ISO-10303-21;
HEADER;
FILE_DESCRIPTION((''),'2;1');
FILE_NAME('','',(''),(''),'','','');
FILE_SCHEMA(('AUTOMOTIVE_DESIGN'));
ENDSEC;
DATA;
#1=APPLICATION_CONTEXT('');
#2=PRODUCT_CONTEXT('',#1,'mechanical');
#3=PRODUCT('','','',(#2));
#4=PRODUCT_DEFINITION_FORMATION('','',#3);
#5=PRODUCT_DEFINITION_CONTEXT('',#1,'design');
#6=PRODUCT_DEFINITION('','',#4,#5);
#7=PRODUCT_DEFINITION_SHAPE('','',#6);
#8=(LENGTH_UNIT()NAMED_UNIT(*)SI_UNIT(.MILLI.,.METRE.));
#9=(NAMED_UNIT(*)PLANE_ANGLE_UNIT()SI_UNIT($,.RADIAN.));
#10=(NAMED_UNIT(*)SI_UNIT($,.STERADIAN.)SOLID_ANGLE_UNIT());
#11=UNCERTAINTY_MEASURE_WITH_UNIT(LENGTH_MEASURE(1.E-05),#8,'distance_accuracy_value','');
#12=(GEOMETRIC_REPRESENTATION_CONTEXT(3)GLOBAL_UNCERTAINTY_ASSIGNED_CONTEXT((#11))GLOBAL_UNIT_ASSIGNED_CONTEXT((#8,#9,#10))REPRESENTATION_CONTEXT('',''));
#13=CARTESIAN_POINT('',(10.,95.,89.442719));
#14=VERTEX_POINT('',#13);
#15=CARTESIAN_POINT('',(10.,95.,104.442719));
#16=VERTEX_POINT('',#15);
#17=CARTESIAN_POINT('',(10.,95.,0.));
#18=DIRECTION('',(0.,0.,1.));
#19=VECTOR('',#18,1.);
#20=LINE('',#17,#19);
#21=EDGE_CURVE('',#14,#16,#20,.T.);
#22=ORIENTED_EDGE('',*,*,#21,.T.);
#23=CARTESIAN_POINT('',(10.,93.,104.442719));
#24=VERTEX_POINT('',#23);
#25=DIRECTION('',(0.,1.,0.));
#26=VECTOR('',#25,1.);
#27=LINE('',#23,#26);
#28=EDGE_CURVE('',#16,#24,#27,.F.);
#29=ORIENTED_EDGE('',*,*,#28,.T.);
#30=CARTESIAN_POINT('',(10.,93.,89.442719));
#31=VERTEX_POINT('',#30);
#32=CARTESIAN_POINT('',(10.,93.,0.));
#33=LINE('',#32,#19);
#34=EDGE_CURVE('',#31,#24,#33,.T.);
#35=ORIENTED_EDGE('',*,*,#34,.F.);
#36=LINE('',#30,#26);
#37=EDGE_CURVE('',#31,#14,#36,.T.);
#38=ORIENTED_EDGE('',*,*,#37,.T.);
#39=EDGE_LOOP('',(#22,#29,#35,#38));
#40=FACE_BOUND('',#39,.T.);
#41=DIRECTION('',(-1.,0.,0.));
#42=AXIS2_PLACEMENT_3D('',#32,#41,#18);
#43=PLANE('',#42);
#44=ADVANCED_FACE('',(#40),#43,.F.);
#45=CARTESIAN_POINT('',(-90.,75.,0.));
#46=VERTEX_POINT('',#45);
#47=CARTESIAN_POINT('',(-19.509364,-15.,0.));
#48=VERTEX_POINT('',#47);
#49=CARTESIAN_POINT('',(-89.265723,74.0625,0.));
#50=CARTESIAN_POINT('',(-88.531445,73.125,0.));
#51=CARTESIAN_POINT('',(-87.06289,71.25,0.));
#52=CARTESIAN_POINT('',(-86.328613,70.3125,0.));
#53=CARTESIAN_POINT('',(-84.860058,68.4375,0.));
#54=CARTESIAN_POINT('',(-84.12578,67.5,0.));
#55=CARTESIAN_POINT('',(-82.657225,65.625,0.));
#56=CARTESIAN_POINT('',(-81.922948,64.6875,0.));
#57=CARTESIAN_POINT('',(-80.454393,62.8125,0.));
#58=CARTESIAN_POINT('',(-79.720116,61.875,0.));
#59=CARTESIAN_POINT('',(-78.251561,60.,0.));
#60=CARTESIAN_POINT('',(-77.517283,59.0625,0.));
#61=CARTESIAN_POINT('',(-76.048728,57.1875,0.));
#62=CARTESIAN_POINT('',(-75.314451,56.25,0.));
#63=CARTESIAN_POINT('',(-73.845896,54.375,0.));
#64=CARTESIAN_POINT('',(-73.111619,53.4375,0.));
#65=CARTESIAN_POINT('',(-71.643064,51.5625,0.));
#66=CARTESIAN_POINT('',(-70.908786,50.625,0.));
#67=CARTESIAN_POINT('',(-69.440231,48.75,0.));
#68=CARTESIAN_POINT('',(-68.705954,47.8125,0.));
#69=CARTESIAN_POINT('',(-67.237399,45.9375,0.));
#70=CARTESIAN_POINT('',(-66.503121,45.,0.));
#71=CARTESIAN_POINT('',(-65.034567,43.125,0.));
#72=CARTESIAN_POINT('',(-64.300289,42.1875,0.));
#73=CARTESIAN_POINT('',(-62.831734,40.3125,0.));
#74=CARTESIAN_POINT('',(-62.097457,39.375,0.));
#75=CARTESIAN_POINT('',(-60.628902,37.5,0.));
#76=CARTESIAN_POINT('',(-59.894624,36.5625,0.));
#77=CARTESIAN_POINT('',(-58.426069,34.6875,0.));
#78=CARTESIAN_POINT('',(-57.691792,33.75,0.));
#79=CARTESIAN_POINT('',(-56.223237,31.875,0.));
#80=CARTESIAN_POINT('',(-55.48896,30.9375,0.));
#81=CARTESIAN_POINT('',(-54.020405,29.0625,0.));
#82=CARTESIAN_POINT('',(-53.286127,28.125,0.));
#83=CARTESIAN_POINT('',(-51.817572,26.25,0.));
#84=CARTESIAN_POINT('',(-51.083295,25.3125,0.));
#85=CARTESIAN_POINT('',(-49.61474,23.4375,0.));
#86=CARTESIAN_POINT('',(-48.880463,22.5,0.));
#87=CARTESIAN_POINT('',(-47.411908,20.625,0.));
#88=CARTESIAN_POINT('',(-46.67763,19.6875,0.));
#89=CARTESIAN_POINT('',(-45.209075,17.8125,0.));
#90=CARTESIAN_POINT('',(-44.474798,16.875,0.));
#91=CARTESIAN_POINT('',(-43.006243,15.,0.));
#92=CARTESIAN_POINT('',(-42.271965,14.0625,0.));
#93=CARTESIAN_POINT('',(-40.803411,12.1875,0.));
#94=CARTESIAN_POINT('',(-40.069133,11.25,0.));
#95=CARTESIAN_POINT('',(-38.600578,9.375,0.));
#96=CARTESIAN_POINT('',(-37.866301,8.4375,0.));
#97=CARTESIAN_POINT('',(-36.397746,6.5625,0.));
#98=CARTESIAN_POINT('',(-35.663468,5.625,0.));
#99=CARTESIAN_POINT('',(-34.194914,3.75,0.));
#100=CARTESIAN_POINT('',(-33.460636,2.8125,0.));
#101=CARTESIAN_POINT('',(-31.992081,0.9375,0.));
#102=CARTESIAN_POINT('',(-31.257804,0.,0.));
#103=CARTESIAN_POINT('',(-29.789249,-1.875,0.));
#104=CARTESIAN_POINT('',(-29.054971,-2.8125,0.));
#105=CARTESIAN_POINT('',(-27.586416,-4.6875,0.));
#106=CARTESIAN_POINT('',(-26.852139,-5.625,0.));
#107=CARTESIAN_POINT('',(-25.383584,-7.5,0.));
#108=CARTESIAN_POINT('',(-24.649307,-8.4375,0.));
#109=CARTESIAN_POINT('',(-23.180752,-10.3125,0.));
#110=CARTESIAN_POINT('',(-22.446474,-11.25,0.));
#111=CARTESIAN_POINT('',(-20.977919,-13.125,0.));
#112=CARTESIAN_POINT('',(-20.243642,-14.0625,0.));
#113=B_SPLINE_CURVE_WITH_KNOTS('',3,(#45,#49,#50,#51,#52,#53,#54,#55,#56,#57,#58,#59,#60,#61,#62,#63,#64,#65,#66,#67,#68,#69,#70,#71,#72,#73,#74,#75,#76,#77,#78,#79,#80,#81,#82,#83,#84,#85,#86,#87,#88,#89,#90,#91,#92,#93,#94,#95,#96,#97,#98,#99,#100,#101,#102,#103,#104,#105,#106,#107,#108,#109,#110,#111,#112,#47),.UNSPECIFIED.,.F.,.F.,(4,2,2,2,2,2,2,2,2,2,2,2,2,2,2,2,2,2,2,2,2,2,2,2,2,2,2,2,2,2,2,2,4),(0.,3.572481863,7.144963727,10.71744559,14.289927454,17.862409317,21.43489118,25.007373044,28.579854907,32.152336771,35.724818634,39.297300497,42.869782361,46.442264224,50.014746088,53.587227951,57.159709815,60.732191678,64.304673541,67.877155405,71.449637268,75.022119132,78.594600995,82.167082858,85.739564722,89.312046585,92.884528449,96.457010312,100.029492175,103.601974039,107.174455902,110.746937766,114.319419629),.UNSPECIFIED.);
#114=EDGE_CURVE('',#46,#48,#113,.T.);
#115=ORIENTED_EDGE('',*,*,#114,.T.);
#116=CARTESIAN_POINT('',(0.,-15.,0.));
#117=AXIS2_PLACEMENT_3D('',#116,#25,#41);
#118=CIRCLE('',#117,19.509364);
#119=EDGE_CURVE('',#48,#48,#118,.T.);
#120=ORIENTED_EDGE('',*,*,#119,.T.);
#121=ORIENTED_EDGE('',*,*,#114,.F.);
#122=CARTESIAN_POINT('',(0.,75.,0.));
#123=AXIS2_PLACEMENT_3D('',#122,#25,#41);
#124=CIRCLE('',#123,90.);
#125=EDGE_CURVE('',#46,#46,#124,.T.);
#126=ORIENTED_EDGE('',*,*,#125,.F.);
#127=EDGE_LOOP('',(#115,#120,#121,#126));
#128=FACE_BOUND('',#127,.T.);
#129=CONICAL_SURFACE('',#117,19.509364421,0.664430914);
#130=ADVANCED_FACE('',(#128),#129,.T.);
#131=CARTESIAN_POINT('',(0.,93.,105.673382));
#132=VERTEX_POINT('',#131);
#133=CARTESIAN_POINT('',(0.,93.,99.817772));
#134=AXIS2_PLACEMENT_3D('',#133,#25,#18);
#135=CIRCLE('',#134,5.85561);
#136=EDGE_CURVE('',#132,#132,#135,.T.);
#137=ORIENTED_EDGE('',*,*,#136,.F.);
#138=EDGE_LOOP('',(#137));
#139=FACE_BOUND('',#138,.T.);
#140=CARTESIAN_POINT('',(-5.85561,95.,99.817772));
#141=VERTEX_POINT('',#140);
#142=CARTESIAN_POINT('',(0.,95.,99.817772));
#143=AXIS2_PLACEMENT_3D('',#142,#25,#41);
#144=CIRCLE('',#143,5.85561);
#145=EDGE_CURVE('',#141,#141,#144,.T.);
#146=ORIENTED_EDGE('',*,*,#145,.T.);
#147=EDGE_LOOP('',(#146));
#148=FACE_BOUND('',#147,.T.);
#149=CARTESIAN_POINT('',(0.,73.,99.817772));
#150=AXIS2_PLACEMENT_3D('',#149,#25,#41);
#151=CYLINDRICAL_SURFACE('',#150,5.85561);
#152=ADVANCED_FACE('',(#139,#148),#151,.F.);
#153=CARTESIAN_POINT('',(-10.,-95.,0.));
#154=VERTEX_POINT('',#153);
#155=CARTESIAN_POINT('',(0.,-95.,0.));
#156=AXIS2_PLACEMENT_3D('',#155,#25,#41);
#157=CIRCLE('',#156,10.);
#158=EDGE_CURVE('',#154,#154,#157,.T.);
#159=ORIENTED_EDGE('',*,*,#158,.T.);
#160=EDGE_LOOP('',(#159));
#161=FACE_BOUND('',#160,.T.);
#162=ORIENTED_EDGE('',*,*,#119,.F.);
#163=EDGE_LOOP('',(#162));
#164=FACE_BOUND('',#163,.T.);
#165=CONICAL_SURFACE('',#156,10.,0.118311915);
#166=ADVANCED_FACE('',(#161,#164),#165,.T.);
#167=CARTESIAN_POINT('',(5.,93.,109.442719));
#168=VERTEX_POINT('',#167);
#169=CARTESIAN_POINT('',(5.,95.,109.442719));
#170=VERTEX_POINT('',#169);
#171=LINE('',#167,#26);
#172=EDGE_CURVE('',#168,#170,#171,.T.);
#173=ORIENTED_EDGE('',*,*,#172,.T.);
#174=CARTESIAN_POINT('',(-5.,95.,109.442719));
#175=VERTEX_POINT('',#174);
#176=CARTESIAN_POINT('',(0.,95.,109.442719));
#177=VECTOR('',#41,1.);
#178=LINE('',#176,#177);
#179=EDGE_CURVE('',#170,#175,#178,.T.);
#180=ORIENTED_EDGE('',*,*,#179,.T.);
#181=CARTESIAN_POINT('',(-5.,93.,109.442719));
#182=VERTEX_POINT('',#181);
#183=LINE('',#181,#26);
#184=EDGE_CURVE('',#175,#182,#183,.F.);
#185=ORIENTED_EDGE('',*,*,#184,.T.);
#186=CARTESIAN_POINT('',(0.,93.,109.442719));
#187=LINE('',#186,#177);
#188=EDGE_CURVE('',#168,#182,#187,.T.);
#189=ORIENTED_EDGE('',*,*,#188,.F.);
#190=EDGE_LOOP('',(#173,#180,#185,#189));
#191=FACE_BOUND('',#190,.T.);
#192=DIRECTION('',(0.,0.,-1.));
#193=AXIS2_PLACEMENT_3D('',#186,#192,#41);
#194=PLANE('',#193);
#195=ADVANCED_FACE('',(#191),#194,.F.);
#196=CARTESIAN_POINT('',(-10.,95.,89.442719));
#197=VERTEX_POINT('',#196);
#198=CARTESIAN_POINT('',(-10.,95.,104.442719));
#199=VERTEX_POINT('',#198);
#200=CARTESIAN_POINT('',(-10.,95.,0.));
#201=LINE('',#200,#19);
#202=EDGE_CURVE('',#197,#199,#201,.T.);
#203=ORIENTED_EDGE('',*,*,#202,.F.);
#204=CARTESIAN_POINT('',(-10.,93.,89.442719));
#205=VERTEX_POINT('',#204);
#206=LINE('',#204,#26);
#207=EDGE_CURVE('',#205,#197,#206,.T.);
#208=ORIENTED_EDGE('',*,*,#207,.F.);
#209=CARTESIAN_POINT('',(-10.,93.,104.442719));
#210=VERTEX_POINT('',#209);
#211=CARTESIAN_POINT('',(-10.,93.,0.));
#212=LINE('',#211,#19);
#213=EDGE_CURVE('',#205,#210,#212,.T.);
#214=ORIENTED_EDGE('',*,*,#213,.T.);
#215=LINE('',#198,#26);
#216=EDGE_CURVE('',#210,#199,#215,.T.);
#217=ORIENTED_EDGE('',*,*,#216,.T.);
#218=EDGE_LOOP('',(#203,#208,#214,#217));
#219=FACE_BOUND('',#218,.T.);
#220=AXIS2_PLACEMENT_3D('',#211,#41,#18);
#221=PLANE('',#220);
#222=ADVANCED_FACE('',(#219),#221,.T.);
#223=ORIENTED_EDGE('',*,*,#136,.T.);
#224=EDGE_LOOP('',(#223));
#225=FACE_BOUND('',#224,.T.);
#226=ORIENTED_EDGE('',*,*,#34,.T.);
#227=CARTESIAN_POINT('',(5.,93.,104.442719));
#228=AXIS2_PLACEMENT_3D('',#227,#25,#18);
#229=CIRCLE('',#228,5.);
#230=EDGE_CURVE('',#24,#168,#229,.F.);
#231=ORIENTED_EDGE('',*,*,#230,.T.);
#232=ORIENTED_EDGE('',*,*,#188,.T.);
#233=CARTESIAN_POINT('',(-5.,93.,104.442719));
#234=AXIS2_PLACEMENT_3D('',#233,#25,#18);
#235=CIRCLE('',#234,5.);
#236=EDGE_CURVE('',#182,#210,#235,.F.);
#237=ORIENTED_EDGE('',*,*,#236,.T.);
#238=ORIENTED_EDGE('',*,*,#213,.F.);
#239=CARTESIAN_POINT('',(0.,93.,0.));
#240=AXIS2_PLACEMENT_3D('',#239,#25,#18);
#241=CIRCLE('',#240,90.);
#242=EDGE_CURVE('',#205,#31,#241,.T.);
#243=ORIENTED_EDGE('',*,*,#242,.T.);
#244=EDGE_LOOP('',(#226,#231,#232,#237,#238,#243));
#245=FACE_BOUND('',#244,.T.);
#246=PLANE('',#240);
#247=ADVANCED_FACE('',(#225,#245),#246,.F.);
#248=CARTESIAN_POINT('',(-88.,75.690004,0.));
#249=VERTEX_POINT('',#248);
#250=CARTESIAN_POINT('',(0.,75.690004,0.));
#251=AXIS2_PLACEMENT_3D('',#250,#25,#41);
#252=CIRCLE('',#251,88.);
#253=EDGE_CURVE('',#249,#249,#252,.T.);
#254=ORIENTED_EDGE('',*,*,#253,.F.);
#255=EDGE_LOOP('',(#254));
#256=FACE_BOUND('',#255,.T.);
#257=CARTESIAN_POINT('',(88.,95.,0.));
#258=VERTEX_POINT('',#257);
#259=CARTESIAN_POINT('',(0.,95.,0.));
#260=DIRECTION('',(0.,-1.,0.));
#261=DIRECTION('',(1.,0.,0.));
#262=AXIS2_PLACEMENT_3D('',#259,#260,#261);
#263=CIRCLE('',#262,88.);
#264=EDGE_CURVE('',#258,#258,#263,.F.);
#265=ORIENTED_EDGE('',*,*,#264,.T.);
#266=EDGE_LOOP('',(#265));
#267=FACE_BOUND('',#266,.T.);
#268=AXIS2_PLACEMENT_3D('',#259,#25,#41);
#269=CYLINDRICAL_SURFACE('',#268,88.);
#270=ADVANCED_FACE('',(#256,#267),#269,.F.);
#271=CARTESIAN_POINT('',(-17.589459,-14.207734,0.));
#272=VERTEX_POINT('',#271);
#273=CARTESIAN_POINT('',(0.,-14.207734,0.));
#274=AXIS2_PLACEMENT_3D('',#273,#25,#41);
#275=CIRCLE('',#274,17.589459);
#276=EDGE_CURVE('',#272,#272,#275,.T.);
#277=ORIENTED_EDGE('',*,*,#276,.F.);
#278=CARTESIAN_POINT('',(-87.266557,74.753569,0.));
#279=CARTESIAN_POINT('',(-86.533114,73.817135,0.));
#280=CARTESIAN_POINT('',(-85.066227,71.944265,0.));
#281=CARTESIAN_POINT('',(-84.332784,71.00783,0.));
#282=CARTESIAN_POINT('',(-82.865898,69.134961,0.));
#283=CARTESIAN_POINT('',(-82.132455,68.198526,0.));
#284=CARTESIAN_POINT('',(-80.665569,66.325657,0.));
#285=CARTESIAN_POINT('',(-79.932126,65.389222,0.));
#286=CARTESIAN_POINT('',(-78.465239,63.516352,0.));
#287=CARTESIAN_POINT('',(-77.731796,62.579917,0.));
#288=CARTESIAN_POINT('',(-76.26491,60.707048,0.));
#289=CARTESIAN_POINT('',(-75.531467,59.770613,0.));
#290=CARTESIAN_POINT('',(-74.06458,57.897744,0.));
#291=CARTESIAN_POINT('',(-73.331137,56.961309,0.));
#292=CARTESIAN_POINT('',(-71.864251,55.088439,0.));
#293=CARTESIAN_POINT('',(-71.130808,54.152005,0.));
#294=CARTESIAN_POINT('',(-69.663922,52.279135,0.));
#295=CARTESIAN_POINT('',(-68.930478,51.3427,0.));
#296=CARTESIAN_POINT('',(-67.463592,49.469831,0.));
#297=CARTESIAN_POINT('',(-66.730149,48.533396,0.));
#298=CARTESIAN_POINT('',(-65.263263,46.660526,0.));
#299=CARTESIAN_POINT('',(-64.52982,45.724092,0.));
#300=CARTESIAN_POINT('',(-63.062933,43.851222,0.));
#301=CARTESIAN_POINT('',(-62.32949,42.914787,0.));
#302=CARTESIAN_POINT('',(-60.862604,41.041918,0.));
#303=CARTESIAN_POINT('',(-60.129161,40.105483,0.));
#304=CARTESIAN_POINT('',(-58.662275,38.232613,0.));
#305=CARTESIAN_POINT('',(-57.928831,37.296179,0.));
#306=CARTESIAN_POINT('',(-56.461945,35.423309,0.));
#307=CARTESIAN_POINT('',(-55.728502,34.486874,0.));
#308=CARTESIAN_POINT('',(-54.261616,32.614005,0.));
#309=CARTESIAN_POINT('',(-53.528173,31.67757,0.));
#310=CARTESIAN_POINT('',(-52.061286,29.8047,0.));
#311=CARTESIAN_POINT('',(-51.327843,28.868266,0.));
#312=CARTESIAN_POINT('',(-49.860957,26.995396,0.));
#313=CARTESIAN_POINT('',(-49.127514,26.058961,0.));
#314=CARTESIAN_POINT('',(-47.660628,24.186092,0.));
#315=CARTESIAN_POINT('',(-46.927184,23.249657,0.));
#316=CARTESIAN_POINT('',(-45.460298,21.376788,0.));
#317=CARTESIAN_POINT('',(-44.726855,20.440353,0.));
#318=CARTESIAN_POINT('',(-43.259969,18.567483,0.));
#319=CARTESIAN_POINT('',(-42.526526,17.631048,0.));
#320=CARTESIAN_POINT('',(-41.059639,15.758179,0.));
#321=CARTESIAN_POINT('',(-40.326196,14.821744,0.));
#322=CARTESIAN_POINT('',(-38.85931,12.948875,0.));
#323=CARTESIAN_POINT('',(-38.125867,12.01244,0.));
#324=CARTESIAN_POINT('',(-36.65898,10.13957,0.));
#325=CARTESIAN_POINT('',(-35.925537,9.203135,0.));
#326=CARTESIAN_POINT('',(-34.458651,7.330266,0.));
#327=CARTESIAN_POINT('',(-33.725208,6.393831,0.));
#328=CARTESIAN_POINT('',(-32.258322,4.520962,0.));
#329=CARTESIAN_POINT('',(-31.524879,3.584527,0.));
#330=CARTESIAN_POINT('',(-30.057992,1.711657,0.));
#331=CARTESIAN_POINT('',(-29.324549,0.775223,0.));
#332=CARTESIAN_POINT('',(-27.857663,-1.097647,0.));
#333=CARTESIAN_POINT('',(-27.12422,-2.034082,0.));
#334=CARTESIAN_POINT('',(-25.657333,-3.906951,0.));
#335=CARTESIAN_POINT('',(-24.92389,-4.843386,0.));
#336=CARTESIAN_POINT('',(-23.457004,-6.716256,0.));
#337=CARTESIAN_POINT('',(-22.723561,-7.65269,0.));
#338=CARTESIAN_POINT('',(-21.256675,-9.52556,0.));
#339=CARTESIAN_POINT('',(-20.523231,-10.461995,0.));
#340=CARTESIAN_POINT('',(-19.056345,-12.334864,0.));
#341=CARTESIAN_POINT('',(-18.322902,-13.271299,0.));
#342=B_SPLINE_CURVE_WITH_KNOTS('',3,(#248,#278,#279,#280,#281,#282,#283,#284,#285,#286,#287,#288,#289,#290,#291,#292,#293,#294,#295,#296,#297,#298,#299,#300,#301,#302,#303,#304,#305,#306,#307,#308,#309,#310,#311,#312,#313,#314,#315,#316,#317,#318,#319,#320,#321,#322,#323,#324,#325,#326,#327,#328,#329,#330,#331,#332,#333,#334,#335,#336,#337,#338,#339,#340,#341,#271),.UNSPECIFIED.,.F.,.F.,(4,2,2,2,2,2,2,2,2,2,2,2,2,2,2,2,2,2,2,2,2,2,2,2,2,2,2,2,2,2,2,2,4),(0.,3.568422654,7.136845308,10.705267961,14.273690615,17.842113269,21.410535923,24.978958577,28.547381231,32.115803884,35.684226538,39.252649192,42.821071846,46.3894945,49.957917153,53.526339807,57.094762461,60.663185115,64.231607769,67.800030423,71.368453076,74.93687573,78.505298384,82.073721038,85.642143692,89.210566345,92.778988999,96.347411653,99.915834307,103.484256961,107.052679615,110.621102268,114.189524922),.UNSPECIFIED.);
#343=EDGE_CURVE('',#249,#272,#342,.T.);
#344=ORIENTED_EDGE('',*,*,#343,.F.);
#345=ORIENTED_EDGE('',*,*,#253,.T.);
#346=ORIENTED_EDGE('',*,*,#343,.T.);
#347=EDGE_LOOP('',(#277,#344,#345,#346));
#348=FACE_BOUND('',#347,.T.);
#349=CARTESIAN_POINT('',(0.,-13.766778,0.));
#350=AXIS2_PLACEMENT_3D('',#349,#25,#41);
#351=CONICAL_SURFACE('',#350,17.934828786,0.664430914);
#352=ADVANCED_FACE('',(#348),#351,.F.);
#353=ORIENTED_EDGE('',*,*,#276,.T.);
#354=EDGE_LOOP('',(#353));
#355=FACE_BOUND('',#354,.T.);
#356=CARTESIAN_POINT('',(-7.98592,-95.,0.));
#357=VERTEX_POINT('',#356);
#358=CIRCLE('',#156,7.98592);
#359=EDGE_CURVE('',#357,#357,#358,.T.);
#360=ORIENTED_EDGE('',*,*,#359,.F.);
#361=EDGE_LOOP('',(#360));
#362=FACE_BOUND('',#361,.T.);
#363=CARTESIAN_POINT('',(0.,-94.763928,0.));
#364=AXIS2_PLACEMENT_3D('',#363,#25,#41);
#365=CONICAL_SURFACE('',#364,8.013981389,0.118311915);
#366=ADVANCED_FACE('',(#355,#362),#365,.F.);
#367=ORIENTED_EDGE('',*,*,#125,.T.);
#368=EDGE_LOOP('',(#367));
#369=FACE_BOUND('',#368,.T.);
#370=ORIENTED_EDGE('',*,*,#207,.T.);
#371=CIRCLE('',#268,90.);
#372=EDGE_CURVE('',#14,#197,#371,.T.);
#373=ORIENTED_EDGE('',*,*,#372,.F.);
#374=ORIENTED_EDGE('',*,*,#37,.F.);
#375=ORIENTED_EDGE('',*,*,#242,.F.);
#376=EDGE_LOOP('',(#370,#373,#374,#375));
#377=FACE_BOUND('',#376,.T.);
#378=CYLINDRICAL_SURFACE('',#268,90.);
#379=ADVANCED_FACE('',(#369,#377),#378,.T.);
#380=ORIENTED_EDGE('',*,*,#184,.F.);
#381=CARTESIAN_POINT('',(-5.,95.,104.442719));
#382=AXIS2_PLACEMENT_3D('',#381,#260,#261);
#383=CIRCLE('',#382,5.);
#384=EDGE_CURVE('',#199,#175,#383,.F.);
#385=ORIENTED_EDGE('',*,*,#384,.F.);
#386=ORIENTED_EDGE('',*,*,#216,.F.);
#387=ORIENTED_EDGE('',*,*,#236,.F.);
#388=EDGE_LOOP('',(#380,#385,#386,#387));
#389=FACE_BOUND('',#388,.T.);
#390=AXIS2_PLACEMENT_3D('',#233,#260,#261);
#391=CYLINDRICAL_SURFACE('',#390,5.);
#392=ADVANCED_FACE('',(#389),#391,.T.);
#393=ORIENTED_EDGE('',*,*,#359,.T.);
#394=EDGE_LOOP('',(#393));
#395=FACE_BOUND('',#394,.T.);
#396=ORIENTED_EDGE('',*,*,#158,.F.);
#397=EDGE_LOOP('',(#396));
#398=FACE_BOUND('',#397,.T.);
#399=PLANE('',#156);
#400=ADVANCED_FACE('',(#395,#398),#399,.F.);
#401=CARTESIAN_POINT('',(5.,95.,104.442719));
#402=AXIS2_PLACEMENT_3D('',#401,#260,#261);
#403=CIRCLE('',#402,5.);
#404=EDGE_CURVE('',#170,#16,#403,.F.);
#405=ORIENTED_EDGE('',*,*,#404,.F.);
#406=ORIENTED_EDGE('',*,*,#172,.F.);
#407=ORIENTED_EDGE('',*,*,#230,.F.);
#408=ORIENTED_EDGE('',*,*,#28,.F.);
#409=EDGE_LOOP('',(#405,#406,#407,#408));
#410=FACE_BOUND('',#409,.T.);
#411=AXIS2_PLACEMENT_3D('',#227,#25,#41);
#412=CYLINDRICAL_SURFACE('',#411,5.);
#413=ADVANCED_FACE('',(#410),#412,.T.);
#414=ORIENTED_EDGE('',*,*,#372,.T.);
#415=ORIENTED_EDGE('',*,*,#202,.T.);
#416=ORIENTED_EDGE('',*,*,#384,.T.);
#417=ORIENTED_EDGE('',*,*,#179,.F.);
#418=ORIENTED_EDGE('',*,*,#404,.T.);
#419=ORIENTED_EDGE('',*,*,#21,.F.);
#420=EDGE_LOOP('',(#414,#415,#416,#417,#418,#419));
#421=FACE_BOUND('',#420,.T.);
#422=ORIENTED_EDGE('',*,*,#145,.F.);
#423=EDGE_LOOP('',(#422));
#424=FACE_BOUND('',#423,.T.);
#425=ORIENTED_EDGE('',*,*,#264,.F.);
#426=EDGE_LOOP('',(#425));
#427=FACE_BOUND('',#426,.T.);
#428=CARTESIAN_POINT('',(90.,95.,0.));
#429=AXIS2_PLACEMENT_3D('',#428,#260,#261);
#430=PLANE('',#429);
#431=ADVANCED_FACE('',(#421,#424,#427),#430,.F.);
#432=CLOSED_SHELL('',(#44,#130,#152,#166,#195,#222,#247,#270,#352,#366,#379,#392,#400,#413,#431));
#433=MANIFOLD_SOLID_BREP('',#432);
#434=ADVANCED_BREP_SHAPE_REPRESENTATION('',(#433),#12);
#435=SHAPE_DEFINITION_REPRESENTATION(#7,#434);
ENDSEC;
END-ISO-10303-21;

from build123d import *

# Parameters (mm, degrees)
VACIADO1_T              = -2
SALIENTE_EXTRUIR1_DEPTH = 2
CROQUIS3_R              = 5.855610057
CORTAR_EXTRUIR1_DEPTH   = 22
REDONDEO1_R             = 5


with BuildPart() as part:
    # Croquis1 → Revolución1 (revolve)
    with BuildSketch(Plane.XY, mode=Mode.PRIVATE) as revoluci_n1_sk:
        Polygon((0, 95), (0, -95), (10, -95), (19.509364421, -15), (90, 75), (90, 95), align=None)
    revolve(revoluci_n1_sk.sketch.rotate(Axis((0, 95, 0), (0, -1, 0)), 180), axis=Axis((0, 95, 0), (0, -1, 0)))

    # Vaciado1
    vaciado1_openings = [part.faces().sort_by_distance(p)[0] for p in [
        (0, -95, 0),
        (0, 95, 0),
    ]]
    offset(amount=VACIADO1_T, openings=vaciado1_openings, kind=Kind.INTERSECTION)

    # Croquis2 → Saliente-Extruir1 (add)
    with BuildSketch(Plane(origin=(0, 95, 0), x_dir=(1, 0, 0), z_dir=(0, 1, 0))):
        with BuildLine():
            Line((0, -109.4427191), (0, -90))
            ThreePointArc((0, -90), (-5.007758031, -89.860571774), (-10, -89.4427191))
            Line((-10, -89.4427191), (-10, -109.4427191))
            Line((-10, -109.4427191), (0, -109.4427191))
        make_face()
        with BuildLine():
            ThreePointArc((10, -89.4427191), (5.007758031, -89.860571774), (0, -90))
            Line((0, -90), (0, -109.4427191))
            Line((0, -109.4427191), (10, -109.4427191))
            Line((10, -109.4427191), (10, -89.4427191))
        make_face()
    extrude(amount=-SALIENTE_EXTRUIR1_DEPTH)

    # Croquis3 → Cortar-Extruir1 (cut)
    with BuildSketch(Plane(origin=(0, 95, 0), x_dir=(1, 0, 0), z_dir=(0, 1, 0))):
        with Locations(Location((0, -99.817771653, 0), (0, 0, 180))):
            Circle(CROQUIS3_R)
    extrude(amount=-CORTAR_EXTRUIR1_DEPTH, mode=Mode.SUBTRACT)

    # Redondeo1
    redondeo1_edges = [part.edges().sort_by_distance(p)[0] for p in [
        (10, 94, 109.4427191),
        (-10, 94, 109.4427191),
    ]]
    fillet(redondeo1_edges, radius=REDONDEO1_R)


solid = part.part
